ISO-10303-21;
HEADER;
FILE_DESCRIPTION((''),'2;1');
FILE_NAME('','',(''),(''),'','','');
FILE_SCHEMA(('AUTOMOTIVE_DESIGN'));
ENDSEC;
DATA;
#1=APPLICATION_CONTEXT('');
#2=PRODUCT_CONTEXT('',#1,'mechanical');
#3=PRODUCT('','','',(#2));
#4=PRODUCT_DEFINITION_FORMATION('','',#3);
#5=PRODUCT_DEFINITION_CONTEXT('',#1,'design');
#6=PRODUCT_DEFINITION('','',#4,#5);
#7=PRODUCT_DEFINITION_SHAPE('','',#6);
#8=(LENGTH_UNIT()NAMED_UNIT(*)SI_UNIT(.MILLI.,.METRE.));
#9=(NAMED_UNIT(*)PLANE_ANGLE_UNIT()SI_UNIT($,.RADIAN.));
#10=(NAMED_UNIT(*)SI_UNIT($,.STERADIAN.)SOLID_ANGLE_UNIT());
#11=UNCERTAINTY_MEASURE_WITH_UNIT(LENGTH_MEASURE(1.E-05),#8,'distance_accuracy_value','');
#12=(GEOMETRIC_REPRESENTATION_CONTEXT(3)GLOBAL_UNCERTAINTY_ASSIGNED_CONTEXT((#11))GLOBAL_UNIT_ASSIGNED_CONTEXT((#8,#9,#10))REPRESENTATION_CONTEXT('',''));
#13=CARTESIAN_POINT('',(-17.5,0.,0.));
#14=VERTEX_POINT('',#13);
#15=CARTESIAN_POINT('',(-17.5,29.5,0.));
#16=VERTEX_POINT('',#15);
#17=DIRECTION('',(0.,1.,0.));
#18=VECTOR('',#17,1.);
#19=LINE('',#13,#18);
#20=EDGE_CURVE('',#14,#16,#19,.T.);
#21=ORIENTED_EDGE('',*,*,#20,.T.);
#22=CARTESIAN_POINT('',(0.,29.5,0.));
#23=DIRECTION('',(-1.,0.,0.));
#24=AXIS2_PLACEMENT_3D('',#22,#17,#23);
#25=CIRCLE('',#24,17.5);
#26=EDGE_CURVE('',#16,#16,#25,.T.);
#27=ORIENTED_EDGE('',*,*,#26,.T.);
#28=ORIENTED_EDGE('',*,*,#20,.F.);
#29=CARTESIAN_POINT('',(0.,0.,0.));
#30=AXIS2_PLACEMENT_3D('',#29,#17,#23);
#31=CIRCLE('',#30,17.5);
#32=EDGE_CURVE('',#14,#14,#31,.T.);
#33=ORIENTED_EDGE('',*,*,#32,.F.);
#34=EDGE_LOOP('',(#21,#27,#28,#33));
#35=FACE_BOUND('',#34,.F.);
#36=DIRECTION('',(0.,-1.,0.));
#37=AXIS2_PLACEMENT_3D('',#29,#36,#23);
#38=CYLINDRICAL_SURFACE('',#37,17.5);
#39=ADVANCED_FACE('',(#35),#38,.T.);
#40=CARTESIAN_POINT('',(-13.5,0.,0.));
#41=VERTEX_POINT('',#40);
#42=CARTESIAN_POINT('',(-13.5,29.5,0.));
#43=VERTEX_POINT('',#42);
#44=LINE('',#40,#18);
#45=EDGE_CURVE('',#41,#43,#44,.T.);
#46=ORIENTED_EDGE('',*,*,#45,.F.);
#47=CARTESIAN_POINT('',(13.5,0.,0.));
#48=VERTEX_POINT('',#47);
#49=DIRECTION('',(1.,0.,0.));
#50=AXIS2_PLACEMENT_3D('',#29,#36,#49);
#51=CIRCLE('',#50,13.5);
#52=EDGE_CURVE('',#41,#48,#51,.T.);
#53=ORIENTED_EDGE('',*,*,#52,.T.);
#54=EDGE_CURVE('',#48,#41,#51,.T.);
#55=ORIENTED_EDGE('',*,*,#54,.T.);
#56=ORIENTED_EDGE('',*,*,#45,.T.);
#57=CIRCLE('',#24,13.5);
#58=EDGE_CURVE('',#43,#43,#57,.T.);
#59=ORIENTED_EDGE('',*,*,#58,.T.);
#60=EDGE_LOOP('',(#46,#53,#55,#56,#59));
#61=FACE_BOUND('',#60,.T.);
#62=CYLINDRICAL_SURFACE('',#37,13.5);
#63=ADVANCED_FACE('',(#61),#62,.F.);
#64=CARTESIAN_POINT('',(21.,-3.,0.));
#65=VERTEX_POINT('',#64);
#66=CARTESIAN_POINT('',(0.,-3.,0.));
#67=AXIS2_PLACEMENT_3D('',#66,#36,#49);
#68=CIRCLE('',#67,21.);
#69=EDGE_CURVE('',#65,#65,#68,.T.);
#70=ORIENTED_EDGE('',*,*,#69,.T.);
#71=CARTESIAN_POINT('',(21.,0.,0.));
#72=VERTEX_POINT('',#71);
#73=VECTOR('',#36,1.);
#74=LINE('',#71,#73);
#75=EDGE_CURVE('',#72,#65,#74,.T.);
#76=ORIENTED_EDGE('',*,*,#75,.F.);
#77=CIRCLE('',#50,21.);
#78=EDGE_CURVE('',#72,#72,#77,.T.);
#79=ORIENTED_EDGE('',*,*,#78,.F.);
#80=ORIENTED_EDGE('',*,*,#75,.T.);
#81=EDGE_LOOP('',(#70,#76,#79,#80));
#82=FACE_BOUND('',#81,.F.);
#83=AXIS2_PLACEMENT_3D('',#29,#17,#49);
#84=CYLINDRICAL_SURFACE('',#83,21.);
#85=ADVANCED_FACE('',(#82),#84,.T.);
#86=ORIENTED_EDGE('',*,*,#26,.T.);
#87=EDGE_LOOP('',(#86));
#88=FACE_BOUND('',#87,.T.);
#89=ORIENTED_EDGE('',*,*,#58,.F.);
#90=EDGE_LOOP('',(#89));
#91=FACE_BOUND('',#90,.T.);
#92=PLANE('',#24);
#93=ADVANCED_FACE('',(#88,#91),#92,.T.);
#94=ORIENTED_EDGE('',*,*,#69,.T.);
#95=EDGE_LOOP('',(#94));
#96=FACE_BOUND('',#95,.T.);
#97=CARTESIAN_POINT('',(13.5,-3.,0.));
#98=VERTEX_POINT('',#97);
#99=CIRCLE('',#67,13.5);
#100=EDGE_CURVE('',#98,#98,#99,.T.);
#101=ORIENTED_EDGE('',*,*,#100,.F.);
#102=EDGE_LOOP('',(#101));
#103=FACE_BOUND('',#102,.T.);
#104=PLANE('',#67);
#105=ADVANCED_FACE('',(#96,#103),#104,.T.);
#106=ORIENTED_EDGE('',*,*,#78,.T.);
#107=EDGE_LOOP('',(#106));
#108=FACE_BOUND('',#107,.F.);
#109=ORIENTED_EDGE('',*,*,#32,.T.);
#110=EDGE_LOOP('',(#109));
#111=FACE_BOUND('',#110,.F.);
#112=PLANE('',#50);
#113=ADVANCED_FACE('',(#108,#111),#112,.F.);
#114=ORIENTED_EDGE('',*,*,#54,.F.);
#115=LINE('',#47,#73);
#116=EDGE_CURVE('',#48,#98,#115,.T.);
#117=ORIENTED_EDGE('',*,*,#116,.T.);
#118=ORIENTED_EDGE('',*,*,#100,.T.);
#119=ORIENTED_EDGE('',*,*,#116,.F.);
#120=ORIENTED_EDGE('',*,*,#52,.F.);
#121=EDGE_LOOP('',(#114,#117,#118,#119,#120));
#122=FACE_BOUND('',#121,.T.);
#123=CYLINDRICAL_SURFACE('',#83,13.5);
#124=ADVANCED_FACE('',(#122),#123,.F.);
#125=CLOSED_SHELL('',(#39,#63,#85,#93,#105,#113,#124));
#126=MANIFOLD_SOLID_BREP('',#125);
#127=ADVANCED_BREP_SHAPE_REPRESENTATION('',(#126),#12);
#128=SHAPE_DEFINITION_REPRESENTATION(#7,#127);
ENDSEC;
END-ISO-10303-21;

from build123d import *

# Parameters (mm, degrees)
F0_R     = 21
F0_R_2   = 17.5
F0_R_3   = 13.5
F1_DEPTH = 3
F2_R     = 17.5
F2_R_2   = 13.5
F3_DEPTH = 29.5


with BuildPart() as f1:
    # F0 (on Front) → F1 (new body)
    with BuildSketch(Plane.XZ):
        Circle(F0_R)
        Circle(F0_R_2, mode=Mode.SUBTRACT)
        Circle(F0_R_2)
        Circle(F0_R_3, mode=Mode.SUBTRACT)
    extrude(amount=F1_DEPTH)

    # F2 (on face) → F3 (join)
    with BuildSketch(Plane(origin=(0, 0, 0), x_dir=(-1, 0, 0), z_dir=(0, 1, 0))):
        Circle(F2_R)
        Circle(F2_R_2, mode=Mode.SUBTRACT)
    extrude(amount=F3_DEPTH)


solid = f1.part
